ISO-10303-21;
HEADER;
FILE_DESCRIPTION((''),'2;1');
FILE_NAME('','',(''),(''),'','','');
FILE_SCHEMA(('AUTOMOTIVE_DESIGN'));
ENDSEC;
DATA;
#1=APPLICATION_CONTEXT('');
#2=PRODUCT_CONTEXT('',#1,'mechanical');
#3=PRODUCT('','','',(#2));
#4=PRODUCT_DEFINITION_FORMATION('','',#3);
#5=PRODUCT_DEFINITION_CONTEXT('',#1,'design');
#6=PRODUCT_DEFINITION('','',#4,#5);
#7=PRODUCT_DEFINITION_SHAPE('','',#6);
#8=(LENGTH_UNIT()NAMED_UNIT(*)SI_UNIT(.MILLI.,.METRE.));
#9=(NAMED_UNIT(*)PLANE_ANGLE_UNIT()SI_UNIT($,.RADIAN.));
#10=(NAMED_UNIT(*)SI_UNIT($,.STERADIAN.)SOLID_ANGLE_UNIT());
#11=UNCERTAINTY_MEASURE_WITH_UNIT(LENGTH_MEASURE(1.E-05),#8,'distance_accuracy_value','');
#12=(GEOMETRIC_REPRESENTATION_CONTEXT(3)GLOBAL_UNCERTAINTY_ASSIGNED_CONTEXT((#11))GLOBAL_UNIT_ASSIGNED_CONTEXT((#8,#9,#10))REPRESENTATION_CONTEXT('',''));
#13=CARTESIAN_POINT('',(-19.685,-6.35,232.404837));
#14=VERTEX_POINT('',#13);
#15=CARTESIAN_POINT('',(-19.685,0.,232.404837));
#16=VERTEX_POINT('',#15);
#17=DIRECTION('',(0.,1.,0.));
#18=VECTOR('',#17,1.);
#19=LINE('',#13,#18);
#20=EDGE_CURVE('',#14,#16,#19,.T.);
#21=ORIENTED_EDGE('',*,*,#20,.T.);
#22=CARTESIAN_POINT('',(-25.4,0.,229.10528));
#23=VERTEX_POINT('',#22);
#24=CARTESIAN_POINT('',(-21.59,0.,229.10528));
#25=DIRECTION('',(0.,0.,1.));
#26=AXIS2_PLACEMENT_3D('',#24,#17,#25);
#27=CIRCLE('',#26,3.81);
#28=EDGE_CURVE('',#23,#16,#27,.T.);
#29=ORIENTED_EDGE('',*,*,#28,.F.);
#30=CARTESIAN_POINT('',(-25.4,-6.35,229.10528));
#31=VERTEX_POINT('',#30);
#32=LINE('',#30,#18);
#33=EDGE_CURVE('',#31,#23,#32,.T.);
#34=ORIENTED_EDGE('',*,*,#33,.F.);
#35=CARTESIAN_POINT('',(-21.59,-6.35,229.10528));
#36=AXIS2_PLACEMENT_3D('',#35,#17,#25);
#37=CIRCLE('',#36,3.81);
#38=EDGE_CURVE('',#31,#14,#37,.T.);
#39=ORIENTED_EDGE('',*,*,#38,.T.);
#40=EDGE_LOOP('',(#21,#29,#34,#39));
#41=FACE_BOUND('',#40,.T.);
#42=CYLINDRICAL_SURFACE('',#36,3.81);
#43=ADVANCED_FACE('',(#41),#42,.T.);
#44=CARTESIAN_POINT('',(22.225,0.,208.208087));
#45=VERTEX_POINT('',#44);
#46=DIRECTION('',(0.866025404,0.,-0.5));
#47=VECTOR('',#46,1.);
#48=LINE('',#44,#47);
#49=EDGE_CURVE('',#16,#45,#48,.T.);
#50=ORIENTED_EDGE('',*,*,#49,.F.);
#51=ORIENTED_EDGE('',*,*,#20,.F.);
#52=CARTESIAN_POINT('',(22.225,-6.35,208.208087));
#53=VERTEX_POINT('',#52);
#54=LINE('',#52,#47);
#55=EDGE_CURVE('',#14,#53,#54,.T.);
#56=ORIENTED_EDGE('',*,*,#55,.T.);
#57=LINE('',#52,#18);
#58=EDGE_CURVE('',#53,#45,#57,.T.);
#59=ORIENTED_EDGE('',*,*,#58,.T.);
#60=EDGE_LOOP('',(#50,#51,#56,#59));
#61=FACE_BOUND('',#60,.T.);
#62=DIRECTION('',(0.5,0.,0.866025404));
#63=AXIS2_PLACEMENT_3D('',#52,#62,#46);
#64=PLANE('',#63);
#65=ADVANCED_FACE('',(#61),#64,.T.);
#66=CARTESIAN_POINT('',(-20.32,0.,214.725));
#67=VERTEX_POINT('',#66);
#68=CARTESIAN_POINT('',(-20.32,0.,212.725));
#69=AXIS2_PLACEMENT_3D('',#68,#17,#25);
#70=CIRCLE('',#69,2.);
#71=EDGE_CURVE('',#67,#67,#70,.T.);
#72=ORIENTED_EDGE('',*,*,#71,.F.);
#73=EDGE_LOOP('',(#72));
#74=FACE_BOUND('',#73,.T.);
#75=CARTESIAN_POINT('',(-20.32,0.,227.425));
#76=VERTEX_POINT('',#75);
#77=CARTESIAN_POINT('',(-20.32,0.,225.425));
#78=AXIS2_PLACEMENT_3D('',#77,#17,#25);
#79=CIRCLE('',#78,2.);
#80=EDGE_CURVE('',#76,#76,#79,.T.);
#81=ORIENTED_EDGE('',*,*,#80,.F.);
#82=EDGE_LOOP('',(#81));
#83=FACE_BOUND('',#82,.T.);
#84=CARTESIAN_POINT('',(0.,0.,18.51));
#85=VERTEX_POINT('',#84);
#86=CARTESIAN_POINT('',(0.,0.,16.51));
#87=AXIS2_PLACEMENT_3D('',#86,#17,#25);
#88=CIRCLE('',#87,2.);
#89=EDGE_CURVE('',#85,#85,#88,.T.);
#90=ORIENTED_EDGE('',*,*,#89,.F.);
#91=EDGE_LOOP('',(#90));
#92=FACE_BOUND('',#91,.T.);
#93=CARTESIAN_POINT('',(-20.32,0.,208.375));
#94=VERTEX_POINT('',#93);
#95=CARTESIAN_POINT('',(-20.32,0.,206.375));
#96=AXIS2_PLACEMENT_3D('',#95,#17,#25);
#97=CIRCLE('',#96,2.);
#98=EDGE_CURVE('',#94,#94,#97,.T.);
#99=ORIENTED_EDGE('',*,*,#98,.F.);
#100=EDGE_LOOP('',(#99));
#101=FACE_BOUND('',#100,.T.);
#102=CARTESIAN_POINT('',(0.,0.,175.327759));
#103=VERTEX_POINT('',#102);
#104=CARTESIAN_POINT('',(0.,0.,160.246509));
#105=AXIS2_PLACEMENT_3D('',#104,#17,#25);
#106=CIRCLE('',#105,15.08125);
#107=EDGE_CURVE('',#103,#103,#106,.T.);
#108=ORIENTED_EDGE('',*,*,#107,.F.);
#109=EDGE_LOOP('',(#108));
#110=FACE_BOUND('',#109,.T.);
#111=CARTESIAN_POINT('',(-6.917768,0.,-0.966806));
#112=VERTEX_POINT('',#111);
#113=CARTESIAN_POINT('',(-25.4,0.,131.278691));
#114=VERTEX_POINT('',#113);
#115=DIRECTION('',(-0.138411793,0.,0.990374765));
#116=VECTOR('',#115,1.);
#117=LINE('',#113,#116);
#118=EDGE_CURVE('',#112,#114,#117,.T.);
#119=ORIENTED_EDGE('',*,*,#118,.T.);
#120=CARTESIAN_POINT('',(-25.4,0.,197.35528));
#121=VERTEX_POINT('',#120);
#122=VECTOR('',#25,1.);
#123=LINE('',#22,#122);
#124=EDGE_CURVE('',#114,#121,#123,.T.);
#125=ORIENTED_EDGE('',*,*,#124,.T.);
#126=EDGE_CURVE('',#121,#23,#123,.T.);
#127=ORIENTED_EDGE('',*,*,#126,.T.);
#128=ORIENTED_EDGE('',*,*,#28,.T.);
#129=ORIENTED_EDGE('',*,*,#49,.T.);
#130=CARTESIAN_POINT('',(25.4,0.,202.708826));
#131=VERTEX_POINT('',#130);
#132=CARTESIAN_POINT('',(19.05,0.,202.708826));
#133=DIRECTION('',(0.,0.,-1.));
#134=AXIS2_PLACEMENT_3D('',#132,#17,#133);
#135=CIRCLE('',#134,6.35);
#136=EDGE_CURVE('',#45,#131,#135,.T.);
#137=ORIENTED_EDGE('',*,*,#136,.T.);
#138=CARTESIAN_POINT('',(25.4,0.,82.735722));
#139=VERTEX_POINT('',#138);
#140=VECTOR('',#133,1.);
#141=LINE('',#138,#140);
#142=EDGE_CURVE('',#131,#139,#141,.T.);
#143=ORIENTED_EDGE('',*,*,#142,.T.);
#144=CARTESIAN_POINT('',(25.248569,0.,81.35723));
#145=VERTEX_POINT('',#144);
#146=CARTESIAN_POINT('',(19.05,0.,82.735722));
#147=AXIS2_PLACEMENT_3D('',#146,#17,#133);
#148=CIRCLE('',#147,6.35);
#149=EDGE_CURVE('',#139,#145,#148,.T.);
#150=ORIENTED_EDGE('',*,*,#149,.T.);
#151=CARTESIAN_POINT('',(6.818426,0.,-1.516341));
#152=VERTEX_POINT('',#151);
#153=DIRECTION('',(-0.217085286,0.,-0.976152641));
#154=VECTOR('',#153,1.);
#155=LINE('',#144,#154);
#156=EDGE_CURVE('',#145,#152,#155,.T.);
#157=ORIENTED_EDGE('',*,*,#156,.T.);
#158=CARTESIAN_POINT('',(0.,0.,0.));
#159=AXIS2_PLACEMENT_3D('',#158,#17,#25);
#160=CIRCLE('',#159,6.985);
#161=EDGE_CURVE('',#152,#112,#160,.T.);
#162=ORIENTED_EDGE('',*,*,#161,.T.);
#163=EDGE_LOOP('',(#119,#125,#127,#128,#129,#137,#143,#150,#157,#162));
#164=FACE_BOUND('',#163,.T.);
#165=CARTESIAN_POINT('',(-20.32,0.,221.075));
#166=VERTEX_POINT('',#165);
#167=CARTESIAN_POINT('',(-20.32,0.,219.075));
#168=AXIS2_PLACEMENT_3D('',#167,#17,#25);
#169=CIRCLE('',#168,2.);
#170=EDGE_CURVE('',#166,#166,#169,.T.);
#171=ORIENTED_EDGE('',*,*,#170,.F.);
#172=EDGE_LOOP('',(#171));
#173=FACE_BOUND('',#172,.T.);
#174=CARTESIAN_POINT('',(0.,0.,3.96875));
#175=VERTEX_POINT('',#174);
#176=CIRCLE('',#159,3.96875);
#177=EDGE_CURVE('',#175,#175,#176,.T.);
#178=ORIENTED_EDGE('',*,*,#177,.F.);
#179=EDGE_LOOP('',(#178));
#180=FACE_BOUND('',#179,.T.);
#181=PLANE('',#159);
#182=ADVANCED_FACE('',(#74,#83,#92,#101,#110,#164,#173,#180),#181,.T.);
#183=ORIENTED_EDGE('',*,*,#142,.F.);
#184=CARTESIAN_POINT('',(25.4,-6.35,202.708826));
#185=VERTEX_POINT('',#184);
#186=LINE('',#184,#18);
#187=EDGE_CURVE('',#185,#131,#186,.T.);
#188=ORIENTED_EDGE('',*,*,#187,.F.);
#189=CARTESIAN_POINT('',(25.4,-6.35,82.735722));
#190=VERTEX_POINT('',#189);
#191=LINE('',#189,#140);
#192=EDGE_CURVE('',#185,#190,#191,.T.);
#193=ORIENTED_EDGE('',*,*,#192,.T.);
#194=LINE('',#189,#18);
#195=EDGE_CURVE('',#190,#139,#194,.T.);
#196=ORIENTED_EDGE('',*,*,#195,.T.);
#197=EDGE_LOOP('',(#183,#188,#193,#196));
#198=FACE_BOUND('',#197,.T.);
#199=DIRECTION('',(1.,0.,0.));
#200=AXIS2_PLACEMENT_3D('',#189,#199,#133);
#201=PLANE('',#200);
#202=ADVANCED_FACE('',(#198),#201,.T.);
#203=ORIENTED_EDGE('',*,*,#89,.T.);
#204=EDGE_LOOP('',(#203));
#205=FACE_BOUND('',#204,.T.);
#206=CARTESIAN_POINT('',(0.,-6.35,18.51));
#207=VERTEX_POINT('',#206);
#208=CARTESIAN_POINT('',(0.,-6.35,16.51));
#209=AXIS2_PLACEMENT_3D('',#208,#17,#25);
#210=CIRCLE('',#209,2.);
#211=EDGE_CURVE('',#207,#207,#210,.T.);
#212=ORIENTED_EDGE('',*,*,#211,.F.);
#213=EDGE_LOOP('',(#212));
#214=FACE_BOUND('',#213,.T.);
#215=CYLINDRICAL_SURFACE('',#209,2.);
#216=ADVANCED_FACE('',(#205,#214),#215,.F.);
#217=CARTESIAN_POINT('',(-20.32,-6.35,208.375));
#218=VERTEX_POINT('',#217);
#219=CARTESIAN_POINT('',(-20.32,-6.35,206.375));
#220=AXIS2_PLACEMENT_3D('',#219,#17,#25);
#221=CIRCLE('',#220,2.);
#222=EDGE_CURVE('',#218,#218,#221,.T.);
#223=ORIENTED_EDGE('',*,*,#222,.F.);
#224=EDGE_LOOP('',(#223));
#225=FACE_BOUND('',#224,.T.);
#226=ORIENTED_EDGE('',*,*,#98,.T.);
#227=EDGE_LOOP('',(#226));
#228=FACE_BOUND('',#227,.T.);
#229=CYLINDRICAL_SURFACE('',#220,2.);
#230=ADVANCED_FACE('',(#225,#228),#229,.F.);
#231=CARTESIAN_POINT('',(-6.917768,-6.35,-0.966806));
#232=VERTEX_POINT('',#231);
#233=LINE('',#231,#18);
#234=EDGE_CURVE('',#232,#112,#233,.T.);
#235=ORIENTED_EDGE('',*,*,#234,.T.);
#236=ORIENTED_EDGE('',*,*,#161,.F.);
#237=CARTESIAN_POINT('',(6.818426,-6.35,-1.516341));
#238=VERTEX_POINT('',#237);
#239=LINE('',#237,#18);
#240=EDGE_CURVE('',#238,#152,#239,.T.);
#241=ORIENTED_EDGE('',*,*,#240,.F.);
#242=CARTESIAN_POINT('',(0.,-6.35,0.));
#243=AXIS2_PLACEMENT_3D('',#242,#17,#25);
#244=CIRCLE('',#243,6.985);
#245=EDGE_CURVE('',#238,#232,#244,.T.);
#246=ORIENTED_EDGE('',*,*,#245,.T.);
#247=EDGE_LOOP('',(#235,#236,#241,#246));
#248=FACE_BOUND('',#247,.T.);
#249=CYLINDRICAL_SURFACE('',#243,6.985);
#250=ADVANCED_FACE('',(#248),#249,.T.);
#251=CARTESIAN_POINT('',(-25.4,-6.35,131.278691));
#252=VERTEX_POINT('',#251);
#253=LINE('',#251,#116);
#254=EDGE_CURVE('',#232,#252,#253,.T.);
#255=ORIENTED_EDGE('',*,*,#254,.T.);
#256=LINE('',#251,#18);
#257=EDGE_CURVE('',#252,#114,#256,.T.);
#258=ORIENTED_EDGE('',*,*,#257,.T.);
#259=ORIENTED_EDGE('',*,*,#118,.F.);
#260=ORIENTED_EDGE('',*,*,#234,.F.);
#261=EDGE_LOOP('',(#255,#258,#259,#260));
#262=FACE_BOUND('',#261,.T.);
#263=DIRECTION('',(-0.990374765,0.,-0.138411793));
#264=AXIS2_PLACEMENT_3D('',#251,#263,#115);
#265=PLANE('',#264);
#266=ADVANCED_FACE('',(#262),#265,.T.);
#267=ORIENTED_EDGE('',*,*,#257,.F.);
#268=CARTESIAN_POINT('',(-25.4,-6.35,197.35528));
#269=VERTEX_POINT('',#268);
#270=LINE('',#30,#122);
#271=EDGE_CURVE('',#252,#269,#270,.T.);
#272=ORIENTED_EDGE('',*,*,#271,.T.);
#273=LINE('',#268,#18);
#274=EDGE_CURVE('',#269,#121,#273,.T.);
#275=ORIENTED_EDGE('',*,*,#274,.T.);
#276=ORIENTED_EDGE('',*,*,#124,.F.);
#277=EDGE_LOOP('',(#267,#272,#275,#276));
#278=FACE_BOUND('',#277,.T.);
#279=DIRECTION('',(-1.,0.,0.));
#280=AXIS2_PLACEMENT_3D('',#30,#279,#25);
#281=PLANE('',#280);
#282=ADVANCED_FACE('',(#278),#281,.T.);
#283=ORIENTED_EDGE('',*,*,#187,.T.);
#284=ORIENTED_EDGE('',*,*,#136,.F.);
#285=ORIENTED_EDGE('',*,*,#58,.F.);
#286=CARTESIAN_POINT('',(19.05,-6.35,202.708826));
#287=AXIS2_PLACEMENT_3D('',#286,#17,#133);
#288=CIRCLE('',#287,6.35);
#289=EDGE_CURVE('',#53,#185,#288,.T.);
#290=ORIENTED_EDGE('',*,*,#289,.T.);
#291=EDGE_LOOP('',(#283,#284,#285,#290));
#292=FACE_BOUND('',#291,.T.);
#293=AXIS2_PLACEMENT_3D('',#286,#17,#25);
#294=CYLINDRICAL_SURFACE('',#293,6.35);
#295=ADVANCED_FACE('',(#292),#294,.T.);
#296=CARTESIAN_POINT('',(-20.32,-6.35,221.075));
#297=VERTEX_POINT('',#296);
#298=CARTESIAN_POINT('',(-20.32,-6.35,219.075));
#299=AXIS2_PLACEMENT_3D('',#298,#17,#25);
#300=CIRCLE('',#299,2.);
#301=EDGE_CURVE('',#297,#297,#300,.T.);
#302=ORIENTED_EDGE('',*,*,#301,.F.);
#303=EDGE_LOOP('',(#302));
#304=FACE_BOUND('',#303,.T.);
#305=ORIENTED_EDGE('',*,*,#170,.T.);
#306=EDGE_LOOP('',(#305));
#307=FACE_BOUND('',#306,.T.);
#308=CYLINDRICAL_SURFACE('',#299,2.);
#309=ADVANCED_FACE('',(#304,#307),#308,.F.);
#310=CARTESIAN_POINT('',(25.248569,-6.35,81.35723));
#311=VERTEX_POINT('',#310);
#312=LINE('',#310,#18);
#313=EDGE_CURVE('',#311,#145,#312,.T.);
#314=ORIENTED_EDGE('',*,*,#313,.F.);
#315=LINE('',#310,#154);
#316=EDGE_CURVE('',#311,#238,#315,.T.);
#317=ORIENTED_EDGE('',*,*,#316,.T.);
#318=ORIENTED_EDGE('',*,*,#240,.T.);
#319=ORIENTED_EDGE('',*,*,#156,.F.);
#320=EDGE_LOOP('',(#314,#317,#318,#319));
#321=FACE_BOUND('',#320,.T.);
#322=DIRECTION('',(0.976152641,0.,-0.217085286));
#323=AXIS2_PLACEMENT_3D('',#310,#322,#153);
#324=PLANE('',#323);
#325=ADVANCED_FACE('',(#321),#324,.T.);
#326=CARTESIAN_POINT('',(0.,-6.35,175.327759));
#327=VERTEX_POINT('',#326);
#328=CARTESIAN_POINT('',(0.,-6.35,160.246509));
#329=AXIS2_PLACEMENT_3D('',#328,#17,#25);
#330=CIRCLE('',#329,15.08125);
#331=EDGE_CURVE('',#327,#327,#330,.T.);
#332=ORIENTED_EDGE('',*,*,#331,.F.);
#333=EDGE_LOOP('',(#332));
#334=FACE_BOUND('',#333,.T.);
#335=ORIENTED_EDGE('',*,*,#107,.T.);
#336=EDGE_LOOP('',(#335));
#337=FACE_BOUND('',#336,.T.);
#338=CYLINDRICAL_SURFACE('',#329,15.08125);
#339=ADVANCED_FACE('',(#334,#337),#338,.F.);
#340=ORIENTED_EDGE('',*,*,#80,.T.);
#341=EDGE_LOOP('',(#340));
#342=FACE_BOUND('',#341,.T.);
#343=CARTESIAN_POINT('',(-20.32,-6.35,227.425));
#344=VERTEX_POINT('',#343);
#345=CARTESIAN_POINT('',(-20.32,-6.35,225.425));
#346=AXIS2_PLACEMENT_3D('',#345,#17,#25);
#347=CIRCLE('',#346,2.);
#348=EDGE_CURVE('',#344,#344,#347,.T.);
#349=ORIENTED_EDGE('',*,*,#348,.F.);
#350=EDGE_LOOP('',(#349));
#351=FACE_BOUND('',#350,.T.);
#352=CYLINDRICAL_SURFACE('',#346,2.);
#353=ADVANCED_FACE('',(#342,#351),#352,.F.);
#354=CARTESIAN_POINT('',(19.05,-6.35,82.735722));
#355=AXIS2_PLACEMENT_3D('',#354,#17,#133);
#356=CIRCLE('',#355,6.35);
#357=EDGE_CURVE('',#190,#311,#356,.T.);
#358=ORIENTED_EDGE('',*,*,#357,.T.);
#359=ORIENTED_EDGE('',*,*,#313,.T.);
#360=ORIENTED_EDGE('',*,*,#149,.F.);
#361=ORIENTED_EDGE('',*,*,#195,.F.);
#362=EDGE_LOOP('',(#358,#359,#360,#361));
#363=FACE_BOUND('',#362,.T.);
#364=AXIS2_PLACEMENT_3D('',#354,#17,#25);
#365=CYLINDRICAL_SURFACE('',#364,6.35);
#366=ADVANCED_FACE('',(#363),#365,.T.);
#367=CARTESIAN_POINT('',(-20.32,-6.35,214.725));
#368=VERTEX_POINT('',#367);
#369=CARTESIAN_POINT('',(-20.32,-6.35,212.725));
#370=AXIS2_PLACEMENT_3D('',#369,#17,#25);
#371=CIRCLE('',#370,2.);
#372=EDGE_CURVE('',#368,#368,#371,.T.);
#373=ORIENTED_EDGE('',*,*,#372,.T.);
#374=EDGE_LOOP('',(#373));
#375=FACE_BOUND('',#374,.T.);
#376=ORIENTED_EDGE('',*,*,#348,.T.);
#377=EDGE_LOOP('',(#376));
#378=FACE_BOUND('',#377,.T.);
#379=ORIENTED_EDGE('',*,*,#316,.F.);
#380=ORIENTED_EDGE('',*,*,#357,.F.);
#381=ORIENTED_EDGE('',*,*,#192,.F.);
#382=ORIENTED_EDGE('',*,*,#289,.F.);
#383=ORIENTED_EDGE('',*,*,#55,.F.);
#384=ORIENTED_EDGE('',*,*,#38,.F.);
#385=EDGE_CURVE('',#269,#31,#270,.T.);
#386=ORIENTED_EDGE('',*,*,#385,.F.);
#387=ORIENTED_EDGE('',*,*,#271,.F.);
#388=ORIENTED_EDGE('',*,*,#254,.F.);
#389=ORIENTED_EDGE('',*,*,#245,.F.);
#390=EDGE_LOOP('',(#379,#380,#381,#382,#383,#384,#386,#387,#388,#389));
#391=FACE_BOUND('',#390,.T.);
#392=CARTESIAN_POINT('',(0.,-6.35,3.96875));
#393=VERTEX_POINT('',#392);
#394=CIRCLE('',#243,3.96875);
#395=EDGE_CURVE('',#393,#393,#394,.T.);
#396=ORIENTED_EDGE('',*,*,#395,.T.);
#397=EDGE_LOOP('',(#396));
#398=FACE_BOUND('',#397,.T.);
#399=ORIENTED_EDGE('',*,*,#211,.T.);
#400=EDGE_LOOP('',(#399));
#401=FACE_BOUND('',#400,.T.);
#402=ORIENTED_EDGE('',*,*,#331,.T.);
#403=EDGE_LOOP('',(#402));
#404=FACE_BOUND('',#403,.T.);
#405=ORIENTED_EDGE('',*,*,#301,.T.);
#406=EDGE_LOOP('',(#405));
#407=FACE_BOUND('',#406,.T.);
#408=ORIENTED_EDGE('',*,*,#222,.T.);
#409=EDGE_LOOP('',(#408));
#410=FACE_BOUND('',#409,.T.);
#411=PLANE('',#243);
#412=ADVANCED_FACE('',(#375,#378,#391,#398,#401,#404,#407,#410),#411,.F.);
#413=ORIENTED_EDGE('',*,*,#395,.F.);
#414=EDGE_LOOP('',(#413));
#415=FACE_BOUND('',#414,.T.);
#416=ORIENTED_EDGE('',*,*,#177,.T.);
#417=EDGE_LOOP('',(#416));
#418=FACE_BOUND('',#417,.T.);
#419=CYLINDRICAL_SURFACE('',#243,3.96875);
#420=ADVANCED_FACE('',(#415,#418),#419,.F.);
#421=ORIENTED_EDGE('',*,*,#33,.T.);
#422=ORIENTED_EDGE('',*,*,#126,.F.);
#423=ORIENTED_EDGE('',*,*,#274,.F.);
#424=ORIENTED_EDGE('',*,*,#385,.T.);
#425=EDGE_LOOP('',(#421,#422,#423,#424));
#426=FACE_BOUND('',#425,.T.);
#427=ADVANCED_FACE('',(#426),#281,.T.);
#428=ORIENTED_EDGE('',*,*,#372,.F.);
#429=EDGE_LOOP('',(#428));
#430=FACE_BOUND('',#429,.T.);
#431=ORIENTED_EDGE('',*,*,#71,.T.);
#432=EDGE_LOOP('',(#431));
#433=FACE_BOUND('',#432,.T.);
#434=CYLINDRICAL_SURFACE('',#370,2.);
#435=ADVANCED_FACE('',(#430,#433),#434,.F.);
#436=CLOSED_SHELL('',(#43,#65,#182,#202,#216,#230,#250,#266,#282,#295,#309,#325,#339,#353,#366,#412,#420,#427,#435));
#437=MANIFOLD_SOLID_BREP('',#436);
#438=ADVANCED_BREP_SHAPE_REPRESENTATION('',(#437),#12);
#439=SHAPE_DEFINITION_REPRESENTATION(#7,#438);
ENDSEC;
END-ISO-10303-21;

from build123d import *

# Parameters (mm, degrees)
SKETCH1_R           = 3.96875
SKETCH1_R_2         = 15.08125
SKETCH1_R_3         = 2
BOSS_EXTRUDE1_DEPTH = 6.35


with BuildPart() as part:
    # Sketch1 → Boss-Extrude1 (new body)
    with BuildSketch(Plane(origin=(0, 0, 0), x_dir=(1, 0, 0), z_dir=(0, 1, 0))):
        with BuildLine():
            Line((25.4, -82.735721877), (25.4, -202.708825791))
            ThreePointArc((25.4, -202.708825791), (24.549261314, -205.883825791), (22.225, -208.208087105))
            Line((22.225, -208.208087105), (-19.685, -232.404836886))
            ThreePointArc((-19.685, -232.404836886), (-23.495, -232.404836886), (-25.4, -229.105280098))
            Line((-25.4, -229.105280098), (-25.4, -131.278691098))
            Line((-25.4, -131.278691098), (-6.917767735, 0.966806375))
            ThreePointArc((-6.917767735, 0.966806375), (-0.279220673, 6.97941694), (6.818426198, 1.51634072))
            Line((6.818426198, 1.51634072), (25.248569271, -81.357230313))
            ThreePointArc((25.248569271, -81.357230313), (25.362028789, -82.042329806), (25.4, -82.735721877))
        make_face()
        with Locations(Location((0, 0, 0), (0, 0, 270))):
            Circle(SKETCH1_R, mode=Mode.SUBTRACT)
        with Locations(Location((0, -160.246508934, 0), (0, 0, 270))):
            Circle(SKETCH1_R_2, mode=Mode.SUBTRACT)
        with Locations(Location((-20.32, -225.425, 0), (0, 0, 270))):
            Circle(SKETCH1_R_3, mode=Mode.SUBTRACT)
        with Locations(Location((-20.32, -219.075, 0), (0, 0, 270))):
            Circle(SKETCH1_R_3, mode=Mode.SUBTRACT)
        with Locations(Location((-20.32, -212.725, 0), (0, 0, 270))):
            Circle(SKETCH1_R_3, mode=Mode.SUBTRACT)
        with Locations(Location((-20.32, -206.375, 0), (0, 0, 270))):
            Circle(SKETCH1_R_3, mode=Mode.SUBTRACT)
        with Locations(Location((0, -16.51, 0), (0, 0, 270))):
            Circle(SKETCH1_R_3, mode=Mode.SUBTRACT)
    extrude(amount=-BOSS_EXTRUDE1_DEPTH)


solid = part.part
